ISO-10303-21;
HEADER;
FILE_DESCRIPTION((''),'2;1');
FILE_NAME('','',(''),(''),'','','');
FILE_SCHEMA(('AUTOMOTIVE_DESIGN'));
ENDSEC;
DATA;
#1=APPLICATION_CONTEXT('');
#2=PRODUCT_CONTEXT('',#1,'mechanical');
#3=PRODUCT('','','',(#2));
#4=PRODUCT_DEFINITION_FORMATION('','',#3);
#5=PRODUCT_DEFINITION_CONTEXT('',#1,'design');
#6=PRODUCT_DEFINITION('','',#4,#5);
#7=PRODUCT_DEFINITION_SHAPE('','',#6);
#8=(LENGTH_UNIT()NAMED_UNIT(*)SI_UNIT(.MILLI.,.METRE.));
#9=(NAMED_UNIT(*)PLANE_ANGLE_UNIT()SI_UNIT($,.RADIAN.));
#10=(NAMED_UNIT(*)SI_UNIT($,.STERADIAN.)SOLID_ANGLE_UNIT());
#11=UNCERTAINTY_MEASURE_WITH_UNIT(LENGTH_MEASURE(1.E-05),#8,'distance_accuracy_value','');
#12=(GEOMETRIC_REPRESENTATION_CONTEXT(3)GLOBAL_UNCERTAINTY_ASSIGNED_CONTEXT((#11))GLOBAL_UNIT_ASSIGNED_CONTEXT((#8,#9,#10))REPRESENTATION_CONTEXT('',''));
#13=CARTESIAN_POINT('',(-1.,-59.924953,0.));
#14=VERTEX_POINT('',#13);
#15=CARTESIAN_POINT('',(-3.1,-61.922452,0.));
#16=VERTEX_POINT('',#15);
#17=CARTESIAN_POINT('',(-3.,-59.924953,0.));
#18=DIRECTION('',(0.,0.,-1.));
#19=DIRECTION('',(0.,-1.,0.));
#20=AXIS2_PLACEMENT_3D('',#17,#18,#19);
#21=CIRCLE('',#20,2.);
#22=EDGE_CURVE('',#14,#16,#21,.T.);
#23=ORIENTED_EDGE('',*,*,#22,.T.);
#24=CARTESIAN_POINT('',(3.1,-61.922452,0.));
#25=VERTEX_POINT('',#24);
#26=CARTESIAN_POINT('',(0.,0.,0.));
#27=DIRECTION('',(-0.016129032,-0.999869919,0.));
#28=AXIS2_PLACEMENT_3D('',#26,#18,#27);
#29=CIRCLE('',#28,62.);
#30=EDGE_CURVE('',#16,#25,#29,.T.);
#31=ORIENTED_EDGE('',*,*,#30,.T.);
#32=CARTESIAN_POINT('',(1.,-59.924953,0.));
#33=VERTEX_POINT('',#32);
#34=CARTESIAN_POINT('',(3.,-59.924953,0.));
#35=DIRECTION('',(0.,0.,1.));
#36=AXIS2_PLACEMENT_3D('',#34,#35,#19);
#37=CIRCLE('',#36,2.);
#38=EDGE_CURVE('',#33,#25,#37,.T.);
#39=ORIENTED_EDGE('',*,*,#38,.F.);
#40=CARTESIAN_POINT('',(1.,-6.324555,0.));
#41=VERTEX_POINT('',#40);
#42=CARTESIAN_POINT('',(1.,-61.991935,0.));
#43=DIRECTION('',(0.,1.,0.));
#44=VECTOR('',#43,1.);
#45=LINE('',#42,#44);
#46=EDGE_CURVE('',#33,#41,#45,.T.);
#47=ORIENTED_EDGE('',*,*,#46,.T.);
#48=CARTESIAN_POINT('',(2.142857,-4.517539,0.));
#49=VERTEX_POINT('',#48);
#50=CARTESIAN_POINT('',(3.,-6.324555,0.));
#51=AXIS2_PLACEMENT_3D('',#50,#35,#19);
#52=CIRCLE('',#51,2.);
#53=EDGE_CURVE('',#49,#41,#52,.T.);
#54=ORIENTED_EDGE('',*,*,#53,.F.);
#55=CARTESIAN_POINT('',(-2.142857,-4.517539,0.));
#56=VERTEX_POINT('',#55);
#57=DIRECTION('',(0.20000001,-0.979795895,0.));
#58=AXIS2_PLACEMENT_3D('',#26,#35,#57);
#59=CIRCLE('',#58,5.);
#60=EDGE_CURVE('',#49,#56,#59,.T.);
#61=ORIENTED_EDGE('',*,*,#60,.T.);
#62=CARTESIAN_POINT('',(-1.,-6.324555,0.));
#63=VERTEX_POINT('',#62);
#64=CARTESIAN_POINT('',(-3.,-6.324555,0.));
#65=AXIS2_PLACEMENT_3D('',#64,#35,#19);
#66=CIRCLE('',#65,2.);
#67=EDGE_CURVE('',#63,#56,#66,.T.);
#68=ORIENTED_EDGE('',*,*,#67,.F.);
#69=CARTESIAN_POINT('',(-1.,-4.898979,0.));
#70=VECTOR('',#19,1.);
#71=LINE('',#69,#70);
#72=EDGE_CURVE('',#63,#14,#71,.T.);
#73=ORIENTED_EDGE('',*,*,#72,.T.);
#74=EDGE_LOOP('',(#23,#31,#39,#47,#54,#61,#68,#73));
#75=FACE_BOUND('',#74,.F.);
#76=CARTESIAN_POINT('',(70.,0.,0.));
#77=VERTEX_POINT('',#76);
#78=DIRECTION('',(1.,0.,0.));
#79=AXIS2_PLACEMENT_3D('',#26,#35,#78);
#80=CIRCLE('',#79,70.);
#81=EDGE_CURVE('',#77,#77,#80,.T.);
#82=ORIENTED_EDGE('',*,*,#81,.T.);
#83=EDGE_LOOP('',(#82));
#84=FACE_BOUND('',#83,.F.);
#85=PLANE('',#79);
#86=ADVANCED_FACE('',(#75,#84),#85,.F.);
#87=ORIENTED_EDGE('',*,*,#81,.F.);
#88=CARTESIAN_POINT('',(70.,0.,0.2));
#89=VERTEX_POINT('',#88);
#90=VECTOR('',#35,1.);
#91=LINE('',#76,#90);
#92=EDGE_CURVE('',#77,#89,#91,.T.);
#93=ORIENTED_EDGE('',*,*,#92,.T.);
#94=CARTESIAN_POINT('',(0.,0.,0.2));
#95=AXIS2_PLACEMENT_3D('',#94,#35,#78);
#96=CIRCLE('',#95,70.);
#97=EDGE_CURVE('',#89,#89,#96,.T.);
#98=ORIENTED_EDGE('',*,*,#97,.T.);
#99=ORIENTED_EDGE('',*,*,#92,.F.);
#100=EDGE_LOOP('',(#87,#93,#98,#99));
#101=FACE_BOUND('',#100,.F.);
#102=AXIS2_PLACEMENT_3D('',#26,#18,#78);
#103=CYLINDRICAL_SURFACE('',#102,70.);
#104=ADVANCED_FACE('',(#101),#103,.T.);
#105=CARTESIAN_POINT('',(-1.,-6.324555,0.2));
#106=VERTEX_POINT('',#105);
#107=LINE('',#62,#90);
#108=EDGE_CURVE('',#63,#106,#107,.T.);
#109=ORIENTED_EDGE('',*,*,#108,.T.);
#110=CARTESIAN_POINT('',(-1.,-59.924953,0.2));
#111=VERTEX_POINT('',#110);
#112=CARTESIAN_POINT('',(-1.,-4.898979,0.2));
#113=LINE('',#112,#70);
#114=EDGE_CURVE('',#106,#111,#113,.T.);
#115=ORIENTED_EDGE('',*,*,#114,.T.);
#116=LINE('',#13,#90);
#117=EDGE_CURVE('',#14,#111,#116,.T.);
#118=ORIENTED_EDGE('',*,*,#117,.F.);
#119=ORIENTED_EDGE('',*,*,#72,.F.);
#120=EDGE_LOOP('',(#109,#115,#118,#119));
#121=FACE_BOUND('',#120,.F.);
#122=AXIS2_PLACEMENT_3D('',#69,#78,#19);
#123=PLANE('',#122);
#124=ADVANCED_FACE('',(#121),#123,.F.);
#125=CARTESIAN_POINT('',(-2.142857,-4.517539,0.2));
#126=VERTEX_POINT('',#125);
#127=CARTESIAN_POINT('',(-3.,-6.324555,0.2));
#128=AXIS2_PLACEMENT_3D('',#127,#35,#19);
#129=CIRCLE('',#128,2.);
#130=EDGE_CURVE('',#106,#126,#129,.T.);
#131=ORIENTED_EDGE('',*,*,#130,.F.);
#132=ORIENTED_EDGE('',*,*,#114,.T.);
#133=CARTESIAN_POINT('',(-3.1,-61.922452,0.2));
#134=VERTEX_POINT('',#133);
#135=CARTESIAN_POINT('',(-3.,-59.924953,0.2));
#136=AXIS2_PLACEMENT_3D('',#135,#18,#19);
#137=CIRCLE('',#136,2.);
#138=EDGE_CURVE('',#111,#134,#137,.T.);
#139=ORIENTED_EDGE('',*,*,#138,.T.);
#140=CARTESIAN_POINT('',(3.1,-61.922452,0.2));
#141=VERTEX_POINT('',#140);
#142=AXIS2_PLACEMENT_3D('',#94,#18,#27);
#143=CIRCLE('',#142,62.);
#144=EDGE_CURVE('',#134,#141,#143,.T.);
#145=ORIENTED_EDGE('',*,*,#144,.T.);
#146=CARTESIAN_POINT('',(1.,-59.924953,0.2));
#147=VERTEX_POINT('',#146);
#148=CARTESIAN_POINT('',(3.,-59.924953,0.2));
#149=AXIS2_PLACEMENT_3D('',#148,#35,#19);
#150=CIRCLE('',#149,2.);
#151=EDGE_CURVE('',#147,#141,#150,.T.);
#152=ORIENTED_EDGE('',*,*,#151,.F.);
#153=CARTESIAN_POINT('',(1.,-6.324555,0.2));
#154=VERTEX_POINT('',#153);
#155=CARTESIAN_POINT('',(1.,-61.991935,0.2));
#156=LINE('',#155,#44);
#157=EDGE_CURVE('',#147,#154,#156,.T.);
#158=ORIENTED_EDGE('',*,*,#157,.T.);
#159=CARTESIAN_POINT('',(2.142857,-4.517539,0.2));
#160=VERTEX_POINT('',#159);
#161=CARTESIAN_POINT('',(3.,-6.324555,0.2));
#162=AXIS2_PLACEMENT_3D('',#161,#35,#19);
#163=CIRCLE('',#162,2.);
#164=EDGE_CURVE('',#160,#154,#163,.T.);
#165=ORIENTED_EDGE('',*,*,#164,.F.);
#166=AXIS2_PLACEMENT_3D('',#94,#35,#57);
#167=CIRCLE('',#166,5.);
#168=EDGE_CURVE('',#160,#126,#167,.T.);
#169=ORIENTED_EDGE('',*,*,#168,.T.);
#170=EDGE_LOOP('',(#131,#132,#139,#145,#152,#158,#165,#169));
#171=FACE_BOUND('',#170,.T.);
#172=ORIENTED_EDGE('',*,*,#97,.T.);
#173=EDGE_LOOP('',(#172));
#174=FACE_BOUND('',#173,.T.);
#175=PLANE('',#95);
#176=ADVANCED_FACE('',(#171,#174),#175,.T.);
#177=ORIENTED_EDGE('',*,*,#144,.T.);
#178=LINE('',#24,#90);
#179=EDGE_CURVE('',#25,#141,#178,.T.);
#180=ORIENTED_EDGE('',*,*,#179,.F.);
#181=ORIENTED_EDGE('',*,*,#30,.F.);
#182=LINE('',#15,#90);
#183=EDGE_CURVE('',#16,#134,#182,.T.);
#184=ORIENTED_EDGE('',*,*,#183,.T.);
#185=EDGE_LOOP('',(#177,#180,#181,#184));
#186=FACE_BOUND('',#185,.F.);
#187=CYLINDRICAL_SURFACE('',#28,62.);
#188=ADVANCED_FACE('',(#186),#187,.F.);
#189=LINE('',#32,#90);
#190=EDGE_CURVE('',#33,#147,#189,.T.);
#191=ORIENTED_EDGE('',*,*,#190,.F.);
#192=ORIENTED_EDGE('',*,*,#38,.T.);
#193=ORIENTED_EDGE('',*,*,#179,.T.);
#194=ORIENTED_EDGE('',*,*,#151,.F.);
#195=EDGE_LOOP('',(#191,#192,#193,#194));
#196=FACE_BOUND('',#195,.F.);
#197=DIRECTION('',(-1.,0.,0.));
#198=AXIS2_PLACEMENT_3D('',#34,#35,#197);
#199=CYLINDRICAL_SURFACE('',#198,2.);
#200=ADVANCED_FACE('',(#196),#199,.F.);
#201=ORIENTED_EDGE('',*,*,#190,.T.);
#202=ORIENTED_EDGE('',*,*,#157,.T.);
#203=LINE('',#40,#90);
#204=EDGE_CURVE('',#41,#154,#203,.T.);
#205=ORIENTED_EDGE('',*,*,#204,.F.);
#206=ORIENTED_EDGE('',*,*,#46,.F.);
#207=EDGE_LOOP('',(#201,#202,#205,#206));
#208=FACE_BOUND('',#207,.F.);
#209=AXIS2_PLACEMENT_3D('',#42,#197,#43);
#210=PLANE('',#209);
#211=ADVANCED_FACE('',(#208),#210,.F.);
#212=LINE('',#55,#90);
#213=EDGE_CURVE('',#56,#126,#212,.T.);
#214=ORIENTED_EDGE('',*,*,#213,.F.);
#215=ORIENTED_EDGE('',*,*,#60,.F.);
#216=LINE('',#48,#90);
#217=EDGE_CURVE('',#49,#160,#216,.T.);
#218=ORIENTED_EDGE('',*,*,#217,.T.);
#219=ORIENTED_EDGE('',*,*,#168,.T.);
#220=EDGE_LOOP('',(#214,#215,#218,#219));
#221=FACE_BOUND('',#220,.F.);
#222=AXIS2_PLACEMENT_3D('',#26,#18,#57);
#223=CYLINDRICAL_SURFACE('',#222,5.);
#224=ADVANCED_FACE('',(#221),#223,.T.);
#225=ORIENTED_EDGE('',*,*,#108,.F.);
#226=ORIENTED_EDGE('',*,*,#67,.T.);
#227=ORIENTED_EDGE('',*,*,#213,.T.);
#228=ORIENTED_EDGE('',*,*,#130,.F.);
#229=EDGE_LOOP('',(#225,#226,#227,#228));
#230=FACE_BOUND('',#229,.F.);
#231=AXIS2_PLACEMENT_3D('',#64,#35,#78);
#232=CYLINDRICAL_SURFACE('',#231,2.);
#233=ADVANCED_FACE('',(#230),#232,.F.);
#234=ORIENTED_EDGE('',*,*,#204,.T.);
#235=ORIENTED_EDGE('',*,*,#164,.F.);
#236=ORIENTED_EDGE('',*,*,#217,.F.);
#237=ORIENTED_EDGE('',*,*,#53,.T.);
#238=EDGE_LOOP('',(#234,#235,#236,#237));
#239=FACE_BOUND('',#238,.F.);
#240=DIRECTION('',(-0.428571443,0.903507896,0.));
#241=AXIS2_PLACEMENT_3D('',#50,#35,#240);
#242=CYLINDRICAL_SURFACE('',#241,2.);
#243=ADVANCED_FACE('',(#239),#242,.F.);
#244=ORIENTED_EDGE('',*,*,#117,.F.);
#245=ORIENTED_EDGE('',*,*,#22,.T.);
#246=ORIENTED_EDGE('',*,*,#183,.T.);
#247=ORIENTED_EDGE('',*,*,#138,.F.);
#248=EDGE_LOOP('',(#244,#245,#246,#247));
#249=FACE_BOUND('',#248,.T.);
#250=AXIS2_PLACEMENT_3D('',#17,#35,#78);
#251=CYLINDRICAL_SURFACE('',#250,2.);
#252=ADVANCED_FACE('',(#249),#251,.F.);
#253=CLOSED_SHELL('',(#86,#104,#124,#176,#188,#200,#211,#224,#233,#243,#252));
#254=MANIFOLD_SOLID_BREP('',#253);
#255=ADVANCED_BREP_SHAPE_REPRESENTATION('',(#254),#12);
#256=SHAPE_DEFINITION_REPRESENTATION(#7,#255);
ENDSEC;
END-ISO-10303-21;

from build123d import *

# Parameters (mm, degrees)
F0_R     = 70
F1_DEPTH = 0.2
F2_R     = 2


with BuildPart() as f1:
    # F0 (on Top) → F1 (new body)
    with BuildSketch(Plane.XY):
        Circle(F0_R)
        with BuildLine():
            ThreePointArc((-1, -61.991935), (0, 62), (1, -61.991935))
            Line((1, -61.991935), (1, -4.898979))
            ThreePointArc((1, -4.898979), (0, 5), (-1, -4.898979))
            Line((-1, -4.898979), (-1, -61.991935))
        make_face(mode=Mode.SUBTRACT)
    extrude(amount=F1_DEPTH)

    # F2
    f2_edges = [f1.edges().sort_by_distance(p)[0] for p in [
        (1, -4.898979, 0.1),
        (-1, -4.898979, 0.1),
        (1, -61.991935, 0.1),
        (-1, -61.991935, 0.1),
    ]]
    fillet(f2_edges, radius=F2_R)


solid = f1.part
